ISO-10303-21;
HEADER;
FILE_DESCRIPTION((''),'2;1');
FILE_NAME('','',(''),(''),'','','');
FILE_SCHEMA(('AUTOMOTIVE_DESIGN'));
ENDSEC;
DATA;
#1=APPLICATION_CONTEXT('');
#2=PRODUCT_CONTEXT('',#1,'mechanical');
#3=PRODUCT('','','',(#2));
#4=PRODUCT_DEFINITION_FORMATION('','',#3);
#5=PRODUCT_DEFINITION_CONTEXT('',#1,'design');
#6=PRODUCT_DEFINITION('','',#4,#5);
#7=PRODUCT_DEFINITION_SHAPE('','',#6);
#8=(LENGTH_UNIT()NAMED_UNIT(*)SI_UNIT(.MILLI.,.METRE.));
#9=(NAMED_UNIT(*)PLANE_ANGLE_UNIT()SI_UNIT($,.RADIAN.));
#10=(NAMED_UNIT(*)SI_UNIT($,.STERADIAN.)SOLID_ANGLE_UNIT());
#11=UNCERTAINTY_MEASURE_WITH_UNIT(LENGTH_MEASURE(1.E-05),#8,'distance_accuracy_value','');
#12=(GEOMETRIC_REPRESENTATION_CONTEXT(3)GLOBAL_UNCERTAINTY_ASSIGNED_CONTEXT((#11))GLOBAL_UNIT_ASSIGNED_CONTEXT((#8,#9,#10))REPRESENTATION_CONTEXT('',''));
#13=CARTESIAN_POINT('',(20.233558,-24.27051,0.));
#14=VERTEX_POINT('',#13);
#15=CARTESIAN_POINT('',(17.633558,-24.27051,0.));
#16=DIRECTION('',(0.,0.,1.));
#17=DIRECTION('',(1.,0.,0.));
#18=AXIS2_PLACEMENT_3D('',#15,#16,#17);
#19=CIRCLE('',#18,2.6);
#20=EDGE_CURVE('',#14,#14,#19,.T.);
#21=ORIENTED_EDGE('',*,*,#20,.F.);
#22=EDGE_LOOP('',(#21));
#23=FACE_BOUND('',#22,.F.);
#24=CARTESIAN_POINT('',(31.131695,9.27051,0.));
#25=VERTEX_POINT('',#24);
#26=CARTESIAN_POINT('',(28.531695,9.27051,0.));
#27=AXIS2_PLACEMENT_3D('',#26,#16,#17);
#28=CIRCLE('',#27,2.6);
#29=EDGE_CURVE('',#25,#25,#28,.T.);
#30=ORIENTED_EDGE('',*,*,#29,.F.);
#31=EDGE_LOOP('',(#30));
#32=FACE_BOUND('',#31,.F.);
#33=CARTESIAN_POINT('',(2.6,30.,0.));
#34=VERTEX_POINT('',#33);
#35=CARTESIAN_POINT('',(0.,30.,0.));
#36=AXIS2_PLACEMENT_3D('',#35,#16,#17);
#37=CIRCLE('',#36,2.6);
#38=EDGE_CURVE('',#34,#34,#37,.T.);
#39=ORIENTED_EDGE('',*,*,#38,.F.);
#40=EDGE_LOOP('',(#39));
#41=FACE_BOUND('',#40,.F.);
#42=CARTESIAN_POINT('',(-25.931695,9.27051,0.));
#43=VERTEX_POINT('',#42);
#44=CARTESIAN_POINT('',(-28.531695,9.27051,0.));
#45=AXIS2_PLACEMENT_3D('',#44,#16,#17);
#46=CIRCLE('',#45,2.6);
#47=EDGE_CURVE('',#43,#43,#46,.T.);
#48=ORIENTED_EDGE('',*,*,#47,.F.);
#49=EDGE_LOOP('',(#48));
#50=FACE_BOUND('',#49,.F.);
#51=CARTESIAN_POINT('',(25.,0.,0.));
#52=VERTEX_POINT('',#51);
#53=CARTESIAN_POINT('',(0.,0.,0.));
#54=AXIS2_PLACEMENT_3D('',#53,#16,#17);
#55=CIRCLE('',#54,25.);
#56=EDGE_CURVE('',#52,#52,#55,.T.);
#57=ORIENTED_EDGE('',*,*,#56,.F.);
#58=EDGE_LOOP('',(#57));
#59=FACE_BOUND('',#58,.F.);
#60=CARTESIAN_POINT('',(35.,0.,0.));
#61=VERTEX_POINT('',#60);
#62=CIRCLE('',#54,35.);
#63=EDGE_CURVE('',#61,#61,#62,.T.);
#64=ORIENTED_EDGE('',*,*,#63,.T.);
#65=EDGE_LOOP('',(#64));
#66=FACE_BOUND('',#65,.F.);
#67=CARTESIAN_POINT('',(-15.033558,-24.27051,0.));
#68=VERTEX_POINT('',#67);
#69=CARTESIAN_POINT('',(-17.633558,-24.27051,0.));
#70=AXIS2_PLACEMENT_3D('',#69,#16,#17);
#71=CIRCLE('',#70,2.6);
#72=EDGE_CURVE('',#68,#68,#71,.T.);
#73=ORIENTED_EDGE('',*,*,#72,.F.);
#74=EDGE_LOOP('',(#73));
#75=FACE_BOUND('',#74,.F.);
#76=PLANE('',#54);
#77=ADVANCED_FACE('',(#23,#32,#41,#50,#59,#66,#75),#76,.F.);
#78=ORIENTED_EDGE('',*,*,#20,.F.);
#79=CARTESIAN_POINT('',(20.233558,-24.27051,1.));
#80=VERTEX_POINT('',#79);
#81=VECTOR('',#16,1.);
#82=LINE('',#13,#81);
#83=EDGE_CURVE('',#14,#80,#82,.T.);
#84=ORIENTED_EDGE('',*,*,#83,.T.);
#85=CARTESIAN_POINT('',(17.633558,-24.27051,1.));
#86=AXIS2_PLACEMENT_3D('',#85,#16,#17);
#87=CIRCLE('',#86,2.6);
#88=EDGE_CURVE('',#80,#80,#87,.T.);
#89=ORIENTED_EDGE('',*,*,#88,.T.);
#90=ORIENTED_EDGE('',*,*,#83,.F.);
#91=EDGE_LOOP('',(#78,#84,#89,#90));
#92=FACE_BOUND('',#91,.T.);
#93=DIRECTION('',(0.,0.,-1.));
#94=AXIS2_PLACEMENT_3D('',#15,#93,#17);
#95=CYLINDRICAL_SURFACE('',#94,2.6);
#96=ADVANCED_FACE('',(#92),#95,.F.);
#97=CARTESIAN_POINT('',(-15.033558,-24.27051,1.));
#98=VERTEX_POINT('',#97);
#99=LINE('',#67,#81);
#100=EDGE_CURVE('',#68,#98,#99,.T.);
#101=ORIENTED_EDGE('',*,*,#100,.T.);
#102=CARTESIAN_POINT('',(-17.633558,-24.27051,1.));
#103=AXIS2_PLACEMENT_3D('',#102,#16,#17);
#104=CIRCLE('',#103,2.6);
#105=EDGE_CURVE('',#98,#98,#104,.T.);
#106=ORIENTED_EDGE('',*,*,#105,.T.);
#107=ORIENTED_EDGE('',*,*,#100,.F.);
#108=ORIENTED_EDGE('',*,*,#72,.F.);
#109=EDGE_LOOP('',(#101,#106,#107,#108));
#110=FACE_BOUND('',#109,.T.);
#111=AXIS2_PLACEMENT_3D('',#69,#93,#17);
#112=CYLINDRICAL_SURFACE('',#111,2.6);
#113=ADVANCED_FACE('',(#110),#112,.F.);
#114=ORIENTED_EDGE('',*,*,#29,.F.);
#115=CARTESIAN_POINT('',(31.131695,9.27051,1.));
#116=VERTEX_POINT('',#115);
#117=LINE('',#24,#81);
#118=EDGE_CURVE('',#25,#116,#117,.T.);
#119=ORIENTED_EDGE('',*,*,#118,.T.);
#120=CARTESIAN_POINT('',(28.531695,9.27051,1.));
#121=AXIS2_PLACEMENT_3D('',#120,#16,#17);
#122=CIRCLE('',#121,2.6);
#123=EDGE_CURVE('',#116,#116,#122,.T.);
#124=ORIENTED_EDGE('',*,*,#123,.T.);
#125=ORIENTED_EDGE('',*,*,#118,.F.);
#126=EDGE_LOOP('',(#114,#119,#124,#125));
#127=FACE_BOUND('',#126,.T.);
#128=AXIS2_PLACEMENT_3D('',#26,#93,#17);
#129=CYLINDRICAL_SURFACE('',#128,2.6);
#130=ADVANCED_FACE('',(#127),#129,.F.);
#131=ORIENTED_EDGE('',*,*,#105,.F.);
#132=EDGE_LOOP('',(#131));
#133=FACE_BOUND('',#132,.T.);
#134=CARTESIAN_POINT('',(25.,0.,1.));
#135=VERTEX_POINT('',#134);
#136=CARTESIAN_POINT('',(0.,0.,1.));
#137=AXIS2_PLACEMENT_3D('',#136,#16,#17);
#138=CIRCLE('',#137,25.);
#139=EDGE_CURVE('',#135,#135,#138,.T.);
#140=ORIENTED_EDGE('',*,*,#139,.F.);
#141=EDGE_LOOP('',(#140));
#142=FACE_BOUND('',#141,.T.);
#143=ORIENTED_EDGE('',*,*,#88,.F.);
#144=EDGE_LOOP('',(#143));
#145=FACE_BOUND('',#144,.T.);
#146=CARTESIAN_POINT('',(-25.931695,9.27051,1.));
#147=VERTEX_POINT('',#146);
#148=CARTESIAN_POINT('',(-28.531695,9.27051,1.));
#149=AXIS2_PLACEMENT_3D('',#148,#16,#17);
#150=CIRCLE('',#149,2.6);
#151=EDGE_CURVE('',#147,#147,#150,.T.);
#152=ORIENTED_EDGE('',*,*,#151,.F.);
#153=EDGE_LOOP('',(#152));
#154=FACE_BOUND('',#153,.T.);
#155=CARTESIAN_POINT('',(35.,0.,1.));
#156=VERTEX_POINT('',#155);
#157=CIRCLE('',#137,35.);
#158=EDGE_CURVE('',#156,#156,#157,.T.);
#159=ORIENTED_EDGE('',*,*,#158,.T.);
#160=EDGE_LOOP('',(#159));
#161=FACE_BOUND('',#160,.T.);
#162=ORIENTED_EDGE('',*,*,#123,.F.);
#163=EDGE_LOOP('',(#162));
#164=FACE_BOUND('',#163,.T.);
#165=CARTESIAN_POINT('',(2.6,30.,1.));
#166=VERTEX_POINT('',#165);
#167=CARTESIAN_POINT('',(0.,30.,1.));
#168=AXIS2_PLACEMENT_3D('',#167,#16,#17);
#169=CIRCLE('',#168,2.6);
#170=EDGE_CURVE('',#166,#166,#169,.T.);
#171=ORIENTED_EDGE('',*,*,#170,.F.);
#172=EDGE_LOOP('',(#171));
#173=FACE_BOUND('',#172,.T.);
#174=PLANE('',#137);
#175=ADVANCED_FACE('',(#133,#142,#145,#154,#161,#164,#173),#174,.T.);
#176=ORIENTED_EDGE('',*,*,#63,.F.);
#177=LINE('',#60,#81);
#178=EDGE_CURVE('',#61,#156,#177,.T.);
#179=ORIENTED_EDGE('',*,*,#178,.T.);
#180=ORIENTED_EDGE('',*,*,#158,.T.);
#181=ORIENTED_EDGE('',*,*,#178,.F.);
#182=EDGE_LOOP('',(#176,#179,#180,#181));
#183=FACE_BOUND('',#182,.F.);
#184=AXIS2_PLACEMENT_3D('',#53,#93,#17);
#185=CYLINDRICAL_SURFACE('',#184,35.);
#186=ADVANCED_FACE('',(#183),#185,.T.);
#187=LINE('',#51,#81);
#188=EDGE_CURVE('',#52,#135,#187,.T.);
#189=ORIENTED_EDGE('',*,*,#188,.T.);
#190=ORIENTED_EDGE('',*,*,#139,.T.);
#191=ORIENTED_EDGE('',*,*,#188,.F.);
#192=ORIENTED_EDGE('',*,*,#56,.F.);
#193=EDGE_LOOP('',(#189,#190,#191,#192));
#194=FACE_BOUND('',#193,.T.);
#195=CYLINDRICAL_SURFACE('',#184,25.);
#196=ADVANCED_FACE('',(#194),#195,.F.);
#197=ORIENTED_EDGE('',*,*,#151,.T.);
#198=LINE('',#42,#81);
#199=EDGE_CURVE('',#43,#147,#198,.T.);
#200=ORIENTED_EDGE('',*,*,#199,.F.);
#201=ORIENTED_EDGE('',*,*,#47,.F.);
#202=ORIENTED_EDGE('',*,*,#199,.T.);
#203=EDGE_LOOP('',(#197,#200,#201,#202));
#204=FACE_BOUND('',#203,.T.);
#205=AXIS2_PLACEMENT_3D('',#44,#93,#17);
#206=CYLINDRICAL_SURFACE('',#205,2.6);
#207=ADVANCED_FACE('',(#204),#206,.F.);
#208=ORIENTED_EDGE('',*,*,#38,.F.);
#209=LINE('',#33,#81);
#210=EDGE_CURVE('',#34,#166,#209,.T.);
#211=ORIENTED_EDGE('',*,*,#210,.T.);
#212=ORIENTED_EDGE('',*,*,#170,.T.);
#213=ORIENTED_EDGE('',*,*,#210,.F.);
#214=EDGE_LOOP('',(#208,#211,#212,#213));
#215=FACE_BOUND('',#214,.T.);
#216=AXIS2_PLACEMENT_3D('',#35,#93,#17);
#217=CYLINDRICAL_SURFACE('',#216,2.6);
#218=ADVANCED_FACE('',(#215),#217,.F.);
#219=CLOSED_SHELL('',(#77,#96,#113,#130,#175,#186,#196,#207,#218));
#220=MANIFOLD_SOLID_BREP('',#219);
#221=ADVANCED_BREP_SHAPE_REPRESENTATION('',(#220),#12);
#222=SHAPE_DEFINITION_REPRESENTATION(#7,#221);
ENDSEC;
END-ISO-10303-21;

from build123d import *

# Parameters (mm, degrees)
F0_R     = 35
F0_R_2   = 2.6
F0_R_3   = 25
F1_DEPTH = 1


with BuildPart() as f1:
    # F0 (on Top) → F1 (new body)
    with BuildSketch(Plane.XY):
        Circle(F0_R)
        with Locations((-17.633558, -24.27051)):
            Circle(F0_R_2, mode=Mode.SUBTRACT)
        with Locations((17.633558, -24.27051)):
            Circle(F0_R_2, mode=Mode.SUBTRACT)
        with Locations((-28.531695, 9.27051)):
            Circle(F0_R_2, mode=Mode.SUBTRACT)
        Circle(F0_R_3, mode=Mode.SUBTRACT)
        with Locations((28.531695, 9.27051)):
            Circle(F0_R_2, mode=Mode.SUBTRACT)
        with Locations((0, 30)):
            Circle(F0_R_2, mode=Mode.SUBTRACT)
    extrude(amount=F1_DEPTH)


solid = f1.part
